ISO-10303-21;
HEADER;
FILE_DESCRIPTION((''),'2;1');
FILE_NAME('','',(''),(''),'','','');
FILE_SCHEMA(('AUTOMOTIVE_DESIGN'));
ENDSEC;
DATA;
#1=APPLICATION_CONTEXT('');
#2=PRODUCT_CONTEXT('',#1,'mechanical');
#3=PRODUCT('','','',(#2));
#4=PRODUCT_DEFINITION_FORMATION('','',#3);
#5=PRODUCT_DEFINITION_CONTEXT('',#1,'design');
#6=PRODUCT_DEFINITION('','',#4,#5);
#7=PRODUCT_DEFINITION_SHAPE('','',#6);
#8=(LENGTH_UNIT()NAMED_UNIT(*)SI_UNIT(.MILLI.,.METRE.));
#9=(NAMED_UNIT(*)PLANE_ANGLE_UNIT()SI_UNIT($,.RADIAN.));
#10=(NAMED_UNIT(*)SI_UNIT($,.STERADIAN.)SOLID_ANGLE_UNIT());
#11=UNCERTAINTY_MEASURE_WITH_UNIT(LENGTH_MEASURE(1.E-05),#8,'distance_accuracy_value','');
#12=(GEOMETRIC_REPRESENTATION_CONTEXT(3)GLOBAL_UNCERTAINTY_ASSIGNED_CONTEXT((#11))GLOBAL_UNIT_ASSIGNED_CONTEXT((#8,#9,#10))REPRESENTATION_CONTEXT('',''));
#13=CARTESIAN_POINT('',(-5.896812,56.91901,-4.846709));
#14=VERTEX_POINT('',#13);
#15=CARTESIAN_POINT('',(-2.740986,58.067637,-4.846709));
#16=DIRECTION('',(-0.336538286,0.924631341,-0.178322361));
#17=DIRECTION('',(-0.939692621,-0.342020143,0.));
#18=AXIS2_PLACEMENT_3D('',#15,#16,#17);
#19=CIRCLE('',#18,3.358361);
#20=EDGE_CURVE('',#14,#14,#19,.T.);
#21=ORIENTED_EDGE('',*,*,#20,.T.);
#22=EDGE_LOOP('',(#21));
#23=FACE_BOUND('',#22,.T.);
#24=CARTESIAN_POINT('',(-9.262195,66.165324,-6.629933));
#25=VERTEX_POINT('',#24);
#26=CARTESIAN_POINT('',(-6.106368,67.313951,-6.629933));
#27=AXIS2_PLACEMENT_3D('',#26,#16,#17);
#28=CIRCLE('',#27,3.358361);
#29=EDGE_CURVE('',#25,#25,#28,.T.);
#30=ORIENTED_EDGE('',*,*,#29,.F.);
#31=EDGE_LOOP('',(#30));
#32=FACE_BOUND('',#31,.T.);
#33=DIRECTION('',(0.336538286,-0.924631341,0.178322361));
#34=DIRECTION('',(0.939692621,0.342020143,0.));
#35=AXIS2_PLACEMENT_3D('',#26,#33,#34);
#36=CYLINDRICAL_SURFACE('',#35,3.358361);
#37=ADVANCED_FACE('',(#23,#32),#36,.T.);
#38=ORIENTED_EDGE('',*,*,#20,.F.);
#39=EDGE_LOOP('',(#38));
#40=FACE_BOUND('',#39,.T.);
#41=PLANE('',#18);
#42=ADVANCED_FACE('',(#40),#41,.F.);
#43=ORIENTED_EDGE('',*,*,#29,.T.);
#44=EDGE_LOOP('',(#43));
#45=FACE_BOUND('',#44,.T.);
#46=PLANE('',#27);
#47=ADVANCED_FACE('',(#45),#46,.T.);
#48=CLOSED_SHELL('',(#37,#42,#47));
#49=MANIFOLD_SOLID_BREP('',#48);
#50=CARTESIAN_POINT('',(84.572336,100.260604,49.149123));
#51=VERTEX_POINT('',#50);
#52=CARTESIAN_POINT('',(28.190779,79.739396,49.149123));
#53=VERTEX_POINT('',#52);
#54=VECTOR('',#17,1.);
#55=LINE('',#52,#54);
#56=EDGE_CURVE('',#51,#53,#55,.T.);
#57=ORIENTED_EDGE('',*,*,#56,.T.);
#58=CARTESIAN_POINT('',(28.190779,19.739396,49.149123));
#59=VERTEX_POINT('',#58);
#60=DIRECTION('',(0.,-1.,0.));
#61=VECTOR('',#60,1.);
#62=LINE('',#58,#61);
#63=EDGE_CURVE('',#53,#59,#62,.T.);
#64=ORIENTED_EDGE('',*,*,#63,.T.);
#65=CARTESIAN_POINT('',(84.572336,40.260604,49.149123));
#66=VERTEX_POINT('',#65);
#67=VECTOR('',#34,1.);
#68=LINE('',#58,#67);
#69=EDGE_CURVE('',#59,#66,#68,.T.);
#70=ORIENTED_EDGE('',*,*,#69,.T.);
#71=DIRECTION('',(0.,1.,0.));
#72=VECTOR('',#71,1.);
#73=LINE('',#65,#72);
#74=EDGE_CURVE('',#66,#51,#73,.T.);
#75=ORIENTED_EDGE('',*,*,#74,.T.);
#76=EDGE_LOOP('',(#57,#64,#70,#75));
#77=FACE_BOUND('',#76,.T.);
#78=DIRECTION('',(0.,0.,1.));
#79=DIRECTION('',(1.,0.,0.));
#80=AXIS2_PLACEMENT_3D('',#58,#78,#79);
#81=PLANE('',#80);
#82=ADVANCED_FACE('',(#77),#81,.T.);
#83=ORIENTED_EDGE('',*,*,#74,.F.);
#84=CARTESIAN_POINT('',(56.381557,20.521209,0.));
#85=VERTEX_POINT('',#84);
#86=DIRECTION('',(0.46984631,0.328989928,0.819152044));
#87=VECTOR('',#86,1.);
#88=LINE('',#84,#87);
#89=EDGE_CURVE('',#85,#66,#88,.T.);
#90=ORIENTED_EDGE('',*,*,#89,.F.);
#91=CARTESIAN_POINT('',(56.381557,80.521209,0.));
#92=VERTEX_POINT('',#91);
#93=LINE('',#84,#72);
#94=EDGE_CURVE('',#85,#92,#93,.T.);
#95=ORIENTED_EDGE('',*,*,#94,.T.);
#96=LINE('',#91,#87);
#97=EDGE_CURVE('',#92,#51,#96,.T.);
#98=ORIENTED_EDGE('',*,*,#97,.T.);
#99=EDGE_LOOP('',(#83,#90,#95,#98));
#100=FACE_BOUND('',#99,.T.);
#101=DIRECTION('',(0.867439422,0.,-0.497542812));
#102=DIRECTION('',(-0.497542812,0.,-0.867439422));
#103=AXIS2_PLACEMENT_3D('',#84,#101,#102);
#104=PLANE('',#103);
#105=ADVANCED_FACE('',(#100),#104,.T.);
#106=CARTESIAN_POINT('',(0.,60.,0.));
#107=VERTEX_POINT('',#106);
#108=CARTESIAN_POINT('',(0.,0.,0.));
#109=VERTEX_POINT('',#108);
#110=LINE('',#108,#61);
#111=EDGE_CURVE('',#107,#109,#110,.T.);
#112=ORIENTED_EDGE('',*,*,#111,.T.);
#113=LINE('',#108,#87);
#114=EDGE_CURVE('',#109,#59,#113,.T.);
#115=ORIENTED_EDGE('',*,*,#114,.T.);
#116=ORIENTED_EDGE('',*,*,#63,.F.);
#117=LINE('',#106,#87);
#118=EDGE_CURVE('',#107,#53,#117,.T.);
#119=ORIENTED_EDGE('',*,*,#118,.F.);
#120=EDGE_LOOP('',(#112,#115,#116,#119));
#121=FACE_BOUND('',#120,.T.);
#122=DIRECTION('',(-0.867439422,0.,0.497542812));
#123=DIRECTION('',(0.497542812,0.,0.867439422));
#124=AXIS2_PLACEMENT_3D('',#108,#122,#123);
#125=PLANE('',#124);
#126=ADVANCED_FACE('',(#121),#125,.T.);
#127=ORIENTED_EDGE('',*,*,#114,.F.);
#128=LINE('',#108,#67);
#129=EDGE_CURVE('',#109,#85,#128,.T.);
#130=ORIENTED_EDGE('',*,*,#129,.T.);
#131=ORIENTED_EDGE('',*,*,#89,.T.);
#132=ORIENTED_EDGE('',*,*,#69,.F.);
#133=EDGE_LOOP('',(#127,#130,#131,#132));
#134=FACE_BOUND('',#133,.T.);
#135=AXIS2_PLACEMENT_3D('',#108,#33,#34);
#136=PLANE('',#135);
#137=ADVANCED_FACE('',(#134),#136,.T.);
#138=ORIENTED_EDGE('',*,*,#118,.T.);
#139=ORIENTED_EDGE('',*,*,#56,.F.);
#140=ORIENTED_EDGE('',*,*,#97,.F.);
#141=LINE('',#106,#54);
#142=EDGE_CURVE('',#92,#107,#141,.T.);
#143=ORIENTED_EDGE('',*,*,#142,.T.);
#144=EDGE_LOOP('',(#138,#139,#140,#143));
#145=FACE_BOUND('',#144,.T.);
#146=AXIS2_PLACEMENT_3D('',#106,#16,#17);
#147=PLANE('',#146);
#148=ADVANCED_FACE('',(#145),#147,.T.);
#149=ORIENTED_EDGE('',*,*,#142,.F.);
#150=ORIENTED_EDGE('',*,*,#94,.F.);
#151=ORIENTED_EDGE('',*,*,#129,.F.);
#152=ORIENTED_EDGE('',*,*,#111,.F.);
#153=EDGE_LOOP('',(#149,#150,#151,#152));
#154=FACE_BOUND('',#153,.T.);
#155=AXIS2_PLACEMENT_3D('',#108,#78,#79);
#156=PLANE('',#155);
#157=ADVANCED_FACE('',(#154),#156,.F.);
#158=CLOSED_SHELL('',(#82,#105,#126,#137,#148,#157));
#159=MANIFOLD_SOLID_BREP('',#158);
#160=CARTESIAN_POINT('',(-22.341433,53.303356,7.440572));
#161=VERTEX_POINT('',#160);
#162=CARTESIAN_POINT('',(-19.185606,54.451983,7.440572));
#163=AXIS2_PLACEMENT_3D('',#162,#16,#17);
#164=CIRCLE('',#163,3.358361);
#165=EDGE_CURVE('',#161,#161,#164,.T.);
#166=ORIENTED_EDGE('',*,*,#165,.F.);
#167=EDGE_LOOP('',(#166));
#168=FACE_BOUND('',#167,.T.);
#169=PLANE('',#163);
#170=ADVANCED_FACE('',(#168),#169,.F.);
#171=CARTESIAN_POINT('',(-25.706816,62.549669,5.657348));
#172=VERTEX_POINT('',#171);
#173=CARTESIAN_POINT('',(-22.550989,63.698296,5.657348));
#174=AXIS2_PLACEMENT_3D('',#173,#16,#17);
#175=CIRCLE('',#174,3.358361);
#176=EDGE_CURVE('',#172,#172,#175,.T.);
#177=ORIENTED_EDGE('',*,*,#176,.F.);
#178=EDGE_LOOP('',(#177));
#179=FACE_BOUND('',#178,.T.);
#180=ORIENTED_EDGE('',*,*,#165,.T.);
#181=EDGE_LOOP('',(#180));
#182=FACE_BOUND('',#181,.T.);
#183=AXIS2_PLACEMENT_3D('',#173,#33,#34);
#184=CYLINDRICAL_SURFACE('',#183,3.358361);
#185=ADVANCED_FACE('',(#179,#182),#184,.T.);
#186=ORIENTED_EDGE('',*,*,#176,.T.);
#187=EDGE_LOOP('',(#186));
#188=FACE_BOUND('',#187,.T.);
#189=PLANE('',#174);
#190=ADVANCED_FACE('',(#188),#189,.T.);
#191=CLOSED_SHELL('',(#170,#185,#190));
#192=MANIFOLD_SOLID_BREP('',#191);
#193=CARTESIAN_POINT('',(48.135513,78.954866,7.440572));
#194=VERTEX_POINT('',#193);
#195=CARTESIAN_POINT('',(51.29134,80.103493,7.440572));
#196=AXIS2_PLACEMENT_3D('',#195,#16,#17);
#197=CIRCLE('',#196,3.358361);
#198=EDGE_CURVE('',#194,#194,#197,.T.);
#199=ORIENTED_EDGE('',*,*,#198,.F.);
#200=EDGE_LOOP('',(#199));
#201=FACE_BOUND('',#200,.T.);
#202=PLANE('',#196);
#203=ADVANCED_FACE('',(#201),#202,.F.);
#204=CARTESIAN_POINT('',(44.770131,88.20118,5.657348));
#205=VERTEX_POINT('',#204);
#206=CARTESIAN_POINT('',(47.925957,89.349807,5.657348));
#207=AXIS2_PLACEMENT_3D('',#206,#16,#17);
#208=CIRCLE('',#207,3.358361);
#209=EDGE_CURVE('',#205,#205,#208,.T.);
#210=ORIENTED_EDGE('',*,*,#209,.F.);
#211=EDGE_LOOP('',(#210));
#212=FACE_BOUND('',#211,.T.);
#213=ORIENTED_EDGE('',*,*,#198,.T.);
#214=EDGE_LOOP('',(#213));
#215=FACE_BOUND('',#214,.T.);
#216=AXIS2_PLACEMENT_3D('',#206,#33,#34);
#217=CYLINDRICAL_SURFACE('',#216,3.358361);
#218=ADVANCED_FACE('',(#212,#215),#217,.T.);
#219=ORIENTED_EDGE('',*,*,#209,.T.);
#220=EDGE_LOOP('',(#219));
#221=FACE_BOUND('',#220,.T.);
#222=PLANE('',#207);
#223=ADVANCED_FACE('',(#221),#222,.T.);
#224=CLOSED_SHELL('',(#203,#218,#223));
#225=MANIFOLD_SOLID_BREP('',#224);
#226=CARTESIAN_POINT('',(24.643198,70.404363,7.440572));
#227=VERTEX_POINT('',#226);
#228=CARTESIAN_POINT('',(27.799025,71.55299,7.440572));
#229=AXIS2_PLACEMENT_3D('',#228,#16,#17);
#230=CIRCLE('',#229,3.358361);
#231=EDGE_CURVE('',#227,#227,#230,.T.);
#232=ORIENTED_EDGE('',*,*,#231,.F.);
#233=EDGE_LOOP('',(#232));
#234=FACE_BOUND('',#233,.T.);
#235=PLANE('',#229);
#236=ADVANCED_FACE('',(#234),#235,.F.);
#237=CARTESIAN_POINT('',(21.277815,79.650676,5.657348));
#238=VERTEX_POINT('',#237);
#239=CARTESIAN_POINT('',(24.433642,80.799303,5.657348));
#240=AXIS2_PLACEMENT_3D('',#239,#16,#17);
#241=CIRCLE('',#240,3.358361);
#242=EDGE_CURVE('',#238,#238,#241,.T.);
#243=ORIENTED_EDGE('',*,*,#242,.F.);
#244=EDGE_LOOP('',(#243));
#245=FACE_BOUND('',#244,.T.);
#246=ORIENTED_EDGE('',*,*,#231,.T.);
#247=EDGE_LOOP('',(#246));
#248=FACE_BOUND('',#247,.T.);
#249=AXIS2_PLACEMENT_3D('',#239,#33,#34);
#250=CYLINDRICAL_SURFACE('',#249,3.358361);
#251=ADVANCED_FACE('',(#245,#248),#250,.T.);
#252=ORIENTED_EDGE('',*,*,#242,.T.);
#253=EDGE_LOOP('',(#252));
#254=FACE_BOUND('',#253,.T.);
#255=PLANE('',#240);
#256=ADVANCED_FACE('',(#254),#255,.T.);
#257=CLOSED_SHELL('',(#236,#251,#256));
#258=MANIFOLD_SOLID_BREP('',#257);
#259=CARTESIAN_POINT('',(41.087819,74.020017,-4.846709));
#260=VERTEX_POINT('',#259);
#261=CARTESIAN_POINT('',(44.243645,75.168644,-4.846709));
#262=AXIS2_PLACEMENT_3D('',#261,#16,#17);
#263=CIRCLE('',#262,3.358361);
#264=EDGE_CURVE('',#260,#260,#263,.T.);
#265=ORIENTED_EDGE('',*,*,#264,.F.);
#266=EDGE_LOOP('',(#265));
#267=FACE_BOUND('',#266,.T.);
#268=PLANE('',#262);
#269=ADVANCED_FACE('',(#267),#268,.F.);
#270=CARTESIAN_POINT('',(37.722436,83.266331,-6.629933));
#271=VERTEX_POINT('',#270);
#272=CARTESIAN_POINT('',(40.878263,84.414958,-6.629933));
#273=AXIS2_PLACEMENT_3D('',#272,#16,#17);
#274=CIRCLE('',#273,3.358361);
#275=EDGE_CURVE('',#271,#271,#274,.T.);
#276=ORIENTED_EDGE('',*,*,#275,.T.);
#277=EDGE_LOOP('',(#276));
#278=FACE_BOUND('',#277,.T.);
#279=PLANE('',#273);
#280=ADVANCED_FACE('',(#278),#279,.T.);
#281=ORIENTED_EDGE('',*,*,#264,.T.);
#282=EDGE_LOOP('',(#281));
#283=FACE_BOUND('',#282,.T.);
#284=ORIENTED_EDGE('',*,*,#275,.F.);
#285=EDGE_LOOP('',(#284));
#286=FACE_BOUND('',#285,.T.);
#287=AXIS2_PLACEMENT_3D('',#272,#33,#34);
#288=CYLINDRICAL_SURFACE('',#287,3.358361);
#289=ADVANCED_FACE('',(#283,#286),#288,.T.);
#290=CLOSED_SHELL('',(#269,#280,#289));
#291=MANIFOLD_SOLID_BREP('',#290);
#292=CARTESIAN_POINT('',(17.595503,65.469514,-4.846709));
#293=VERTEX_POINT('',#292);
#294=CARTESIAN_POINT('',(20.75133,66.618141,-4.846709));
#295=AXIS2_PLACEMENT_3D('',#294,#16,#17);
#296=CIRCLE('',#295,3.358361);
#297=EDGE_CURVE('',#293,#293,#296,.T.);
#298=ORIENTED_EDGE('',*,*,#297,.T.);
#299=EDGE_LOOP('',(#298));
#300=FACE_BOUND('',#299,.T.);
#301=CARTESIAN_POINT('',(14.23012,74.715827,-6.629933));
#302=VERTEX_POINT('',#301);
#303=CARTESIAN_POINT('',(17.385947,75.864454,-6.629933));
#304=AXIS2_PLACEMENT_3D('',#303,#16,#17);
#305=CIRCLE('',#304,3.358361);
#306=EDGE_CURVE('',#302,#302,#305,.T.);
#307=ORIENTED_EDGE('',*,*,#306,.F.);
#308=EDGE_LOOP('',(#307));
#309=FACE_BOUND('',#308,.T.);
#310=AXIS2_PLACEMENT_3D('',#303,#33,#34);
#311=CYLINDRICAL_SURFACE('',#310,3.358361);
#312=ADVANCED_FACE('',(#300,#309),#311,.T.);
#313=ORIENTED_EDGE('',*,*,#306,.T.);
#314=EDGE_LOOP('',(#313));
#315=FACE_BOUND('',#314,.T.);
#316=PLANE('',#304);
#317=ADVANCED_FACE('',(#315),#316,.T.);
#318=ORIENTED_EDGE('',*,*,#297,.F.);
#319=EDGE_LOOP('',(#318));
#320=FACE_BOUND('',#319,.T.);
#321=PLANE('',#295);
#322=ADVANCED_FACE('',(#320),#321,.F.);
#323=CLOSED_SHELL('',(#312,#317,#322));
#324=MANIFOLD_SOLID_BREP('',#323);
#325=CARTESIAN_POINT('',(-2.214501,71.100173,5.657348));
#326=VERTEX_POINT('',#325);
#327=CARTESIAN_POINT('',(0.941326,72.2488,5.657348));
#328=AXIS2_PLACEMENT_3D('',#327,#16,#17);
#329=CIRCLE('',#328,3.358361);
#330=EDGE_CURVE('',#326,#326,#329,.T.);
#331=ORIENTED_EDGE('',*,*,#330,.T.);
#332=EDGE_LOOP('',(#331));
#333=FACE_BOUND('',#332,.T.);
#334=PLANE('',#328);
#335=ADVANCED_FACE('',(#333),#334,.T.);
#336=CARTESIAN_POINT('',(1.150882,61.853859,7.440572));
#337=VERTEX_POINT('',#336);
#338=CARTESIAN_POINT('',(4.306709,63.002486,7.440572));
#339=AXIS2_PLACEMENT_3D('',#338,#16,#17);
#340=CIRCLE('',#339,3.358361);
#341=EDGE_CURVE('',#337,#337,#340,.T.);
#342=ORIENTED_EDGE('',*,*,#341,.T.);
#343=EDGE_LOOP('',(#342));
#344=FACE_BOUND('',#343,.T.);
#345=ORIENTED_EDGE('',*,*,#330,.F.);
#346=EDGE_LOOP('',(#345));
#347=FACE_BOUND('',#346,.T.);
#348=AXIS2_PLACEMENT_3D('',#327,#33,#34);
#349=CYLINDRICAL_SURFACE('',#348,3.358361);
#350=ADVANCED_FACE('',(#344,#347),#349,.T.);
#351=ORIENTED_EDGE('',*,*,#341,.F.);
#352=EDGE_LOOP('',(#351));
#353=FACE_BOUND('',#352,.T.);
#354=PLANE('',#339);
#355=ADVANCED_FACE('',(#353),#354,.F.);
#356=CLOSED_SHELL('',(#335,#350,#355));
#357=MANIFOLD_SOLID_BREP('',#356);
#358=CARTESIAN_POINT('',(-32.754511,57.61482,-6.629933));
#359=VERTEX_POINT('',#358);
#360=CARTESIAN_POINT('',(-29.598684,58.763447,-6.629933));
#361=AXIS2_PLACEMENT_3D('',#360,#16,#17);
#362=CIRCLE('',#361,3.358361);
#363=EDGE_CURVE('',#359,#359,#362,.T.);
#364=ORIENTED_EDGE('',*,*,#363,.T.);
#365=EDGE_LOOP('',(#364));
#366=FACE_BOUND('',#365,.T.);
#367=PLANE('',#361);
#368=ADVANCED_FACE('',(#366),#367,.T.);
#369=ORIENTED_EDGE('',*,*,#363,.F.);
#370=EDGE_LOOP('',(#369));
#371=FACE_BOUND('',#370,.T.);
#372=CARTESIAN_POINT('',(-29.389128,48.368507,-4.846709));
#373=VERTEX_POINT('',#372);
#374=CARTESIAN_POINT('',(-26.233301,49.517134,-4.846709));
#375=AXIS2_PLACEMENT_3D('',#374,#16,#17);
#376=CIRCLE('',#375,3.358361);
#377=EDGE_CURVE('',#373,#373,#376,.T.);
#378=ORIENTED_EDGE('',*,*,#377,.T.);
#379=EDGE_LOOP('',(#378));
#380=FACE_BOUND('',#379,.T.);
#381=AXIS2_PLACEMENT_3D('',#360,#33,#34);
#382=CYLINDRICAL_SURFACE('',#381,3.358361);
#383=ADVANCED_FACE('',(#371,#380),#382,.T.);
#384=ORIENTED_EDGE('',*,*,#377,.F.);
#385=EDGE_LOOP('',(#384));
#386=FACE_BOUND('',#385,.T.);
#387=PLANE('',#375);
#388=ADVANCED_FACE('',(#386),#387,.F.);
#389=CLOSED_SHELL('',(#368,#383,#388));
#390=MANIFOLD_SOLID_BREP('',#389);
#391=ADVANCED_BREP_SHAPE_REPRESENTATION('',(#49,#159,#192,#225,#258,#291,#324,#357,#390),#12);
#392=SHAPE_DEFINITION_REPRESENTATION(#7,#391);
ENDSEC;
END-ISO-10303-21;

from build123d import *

# Parameters (mm, degrees)
SKIZZE1_R                       = 3.358360703
AUFSATZ_LINEAR_AUSTRAGEN1_DEPTH = 10
LINEARES_MUSTER2_COUNT          = 4
LINEARES_MUSTER2_PITCH          = 25
LINEARES_MUSTER2_COUNT_DIR2     = 2
LINEARES_MUSTER2_PITCH_DIR2     = 15


with BuildPart() as part:
    # Austragung1: sweep along a path in SK Pfad
    with BuildLine(Plane(origin=(0, 0, 0), x_dir=(0, 0, 1), z_dir=(-0.573576436, 0.819152044, 0))) as austragung1_path:
        Line((0, 0), (49.149122657, 34.414586181))
    # SK Grundriss → Austragung1 (sweep)
    with BuildSketch(Plane.XY):
        Polygon((0, 0), (0, 60), (56.381557247, 80.5212086), (56.381557247, 20.5212086), align=None)
    sweep(path=austragung1_path.line)


with BuildPart() as body_2:
    # Skizze1 → Aufsatz-Linear austragen1 (new body)
    with BuildSketch(Plane(origin=(-18.670430807, 51.296587053, -9.892946648), x_dir=(0.941669784, 0.330449009, -0.063729667), z_dir=(-0.336538286, 0.924631341, -0.178322361))):
        with Locations(Location((74.295440009, -22.475001385, 0), (0, 0, 176.286481511))):  # turned: the seam where the file's is
            Circle(SKIZZE1_R)
    aufsatz_linear_austragen1 = extrude(amount=AUFSATZ_LINEAR_AUSTRAGEN1_DEPTH)


with BuildPart() as lineares_muster2_1:
    # Lineares Muster2: Aufsatz-Linear austragen1 4 × 2
    with Locations(*[Vector(-0.939692621, -0.342020143, 0) * (i * LINEARES_MUSTER2_PITCH) + Vector(-0.46984631, -0.328989928, -0.819152044) * (j * LINEARES_MUSTER2_PITCH_DIR2) for i in range(LINEARES_MUSTER2_COUNT) for j in range(LINEARES_MUSTER2_COUNT_DIR2) if (i, j) != (0, 0)]):
        add(aufsatz_linear_austragen1)


solid = Compound([part.part, body_2.part, lineares_muster2_1.part])
